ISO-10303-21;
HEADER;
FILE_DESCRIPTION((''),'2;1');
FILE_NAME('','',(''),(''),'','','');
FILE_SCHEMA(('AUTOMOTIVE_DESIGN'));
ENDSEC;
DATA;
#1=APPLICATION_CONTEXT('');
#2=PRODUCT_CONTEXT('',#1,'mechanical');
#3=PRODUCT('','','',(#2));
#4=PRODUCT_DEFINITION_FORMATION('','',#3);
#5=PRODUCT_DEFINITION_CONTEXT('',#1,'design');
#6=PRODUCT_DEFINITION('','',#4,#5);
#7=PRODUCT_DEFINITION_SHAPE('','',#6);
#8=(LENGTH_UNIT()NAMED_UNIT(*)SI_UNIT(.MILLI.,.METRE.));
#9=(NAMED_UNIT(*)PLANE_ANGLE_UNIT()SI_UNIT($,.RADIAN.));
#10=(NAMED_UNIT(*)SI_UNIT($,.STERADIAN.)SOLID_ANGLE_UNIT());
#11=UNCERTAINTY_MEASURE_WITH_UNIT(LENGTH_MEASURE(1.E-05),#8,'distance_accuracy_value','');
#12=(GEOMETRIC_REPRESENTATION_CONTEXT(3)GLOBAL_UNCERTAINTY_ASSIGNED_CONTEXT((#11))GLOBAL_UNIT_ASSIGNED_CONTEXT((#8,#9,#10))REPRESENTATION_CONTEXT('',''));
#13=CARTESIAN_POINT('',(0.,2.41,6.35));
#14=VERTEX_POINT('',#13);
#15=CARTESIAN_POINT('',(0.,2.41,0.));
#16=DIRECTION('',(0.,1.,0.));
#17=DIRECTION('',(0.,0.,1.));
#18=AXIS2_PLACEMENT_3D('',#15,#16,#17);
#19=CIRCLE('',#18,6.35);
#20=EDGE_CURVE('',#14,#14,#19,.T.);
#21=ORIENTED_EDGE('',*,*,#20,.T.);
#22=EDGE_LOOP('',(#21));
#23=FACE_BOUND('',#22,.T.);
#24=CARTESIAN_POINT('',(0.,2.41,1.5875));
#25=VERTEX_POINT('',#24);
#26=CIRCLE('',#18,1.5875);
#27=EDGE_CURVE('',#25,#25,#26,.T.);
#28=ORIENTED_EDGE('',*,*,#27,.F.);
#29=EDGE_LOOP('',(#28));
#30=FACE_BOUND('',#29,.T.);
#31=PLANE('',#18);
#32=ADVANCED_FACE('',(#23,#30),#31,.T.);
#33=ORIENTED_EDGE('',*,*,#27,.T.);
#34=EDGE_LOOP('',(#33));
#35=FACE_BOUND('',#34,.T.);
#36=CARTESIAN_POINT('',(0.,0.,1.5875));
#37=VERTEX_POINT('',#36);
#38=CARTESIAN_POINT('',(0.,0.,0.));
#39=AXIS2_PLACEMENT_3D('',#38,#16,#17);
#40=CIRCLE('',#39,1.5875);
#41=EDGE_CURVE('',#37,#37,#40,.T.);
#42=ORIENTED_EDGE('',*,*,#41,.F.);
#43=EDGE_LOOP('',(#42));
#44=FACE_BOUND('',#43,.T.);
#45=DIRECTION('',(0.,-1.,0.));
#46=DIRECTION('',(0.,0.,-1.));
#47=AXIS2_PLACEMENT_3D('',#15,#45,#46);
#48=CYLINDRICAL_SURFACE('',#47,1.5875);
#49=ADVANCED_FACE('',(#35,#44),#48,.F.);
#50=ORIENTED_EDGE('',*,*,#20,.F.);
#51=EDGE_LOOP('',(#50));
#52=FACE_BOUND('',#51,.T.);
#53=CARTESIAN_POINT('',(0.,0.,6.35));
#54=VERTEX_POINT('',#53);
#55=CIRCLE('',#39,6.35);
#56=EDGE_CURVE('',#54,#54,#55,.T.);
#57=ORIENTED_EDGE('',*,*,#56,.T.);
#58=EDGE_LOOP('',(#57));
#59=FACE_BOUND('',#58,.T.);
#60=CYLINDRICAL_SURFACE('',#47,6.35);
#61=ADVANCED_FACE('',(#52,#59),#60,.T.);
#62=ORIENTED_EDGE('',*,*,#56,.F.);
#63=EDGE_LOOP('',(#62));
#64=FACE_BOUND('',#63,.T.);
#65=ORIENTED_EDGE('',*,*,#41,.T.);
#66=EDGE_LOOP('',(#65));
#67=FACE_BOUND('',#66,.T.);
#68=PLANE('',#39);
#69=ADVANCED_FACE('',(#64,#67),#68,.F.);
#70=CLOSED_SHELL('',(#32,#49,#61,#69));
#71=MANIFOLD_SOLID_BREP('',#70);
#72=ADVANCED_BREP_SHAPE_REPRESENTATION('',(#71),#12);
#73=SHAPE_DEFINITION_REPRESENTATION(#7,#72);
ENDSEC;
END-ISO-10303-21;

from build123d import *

# Parameters (mm, degrees)
SKETCH1_R           = 6.35
SKETCH1_R_2         = 1.5875
BOSS_EXTRUDE1_DEPTH = 2.41


with BuildPart() as part:
    # Sketch1 → Boss-Extrude1 (new body)
    with BuildSketch(Plane(origin=(0, 0, 0), x_dir=(1, 0, 0), z_dir=(0, 1, 0))):
        with Locations(Location((0, 0, 0), (0, 0, 270))):
            Circle(SKETCH1_R)
        with Locations(Location((0, 0, 0), (0, 0, 270))):
            Circle(SKETCH1_R_2, mode=Mode.SUBTRACT)
    extrude(amount=BOSS_EXTRUDE1_DEPTH)


solid = part.part
